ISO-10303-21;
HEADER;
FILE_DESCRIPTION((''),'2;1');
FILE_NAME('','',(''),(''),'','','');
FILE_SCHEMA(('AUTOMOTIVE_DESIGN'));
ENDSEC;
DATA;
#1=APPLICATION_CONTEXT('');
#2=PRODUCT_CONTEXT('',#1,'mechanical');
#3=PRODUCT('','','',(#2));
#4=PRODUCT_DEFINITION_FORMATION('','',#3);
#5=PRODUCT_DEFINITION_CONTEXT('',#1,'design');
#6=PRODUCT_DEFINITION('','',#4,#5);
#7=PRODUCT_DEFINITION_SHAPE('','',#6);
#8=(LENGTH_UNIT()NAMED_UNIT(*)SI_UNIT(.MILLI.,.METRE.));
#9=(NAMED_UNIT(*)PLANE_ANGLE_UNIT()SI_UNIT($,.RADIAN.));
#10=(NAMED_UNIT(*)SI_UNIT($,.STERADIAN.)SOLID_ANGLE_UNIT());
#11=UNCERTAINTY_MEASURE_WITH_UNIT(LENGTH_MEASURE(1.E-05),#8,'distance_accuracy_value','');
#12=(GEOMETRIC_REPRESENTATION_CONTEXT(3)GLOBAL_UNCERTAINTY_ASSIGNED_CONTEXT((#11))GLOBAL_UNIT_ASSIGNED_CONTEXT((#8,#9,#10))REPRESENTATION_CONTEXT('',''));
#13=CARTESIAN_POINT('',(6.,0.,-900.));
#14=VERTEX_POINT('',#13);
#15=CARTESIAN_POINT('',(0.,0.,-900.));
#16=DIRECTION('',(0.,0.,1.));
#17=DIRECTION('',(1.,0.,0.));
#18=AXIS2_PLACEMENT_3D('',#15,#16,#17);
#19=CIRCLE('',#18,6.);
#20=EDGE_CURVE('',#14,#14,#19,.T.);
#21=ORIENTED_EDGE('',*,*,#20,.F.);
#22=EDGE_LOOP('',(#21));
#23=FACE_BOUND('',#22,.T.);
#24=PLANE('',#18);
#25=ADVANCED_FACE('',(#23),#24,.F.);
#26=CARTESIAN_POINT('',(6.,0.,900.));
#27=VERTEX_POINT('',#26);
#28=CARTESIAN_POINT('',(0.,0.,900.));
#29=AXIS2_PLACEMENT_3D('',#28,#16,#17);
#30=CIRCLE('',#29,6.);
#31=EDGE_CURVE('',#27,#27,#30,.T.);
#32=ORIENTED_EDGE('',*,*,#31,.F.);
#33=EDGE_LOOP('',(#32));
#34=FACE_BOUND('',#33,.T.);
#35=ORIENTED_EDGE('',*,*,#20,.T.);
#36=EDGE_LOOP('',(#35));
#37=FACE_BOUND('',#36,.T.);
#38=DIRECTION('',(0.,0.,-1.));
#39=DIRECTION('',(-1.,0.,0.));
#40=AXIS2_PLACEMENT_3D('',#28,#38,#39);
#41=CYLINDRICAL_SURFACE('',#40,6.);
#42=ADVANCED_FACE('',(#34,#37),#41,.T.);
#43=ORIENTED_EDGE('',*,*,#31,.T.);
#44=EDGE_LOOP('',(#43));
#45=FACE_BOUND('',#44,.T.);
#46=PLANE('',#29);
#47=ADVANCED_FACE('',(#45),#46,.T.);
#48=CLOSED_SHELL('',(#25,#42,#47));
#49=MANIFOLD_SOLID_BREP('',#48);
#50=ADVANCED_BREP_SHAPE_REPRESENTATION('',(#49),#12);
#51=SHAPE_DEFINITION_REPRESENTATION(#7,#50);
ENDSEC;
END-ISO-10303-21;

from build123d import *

# Parameters (mm, degrees)
SKETCH1_R           = 6
BOSS_EXTRUDE1_DEPTH = 900


with BuildPart() as part:
    # Sketch1 → Boss-Extrude1 (new body, symmetric)
    with BuildSketch(Plane.XY):
        Circle(SKETCH1_R)
    extrude(amount=BOSS_EXTRUDE1_DEPTH, both=True)


solid = part.part
